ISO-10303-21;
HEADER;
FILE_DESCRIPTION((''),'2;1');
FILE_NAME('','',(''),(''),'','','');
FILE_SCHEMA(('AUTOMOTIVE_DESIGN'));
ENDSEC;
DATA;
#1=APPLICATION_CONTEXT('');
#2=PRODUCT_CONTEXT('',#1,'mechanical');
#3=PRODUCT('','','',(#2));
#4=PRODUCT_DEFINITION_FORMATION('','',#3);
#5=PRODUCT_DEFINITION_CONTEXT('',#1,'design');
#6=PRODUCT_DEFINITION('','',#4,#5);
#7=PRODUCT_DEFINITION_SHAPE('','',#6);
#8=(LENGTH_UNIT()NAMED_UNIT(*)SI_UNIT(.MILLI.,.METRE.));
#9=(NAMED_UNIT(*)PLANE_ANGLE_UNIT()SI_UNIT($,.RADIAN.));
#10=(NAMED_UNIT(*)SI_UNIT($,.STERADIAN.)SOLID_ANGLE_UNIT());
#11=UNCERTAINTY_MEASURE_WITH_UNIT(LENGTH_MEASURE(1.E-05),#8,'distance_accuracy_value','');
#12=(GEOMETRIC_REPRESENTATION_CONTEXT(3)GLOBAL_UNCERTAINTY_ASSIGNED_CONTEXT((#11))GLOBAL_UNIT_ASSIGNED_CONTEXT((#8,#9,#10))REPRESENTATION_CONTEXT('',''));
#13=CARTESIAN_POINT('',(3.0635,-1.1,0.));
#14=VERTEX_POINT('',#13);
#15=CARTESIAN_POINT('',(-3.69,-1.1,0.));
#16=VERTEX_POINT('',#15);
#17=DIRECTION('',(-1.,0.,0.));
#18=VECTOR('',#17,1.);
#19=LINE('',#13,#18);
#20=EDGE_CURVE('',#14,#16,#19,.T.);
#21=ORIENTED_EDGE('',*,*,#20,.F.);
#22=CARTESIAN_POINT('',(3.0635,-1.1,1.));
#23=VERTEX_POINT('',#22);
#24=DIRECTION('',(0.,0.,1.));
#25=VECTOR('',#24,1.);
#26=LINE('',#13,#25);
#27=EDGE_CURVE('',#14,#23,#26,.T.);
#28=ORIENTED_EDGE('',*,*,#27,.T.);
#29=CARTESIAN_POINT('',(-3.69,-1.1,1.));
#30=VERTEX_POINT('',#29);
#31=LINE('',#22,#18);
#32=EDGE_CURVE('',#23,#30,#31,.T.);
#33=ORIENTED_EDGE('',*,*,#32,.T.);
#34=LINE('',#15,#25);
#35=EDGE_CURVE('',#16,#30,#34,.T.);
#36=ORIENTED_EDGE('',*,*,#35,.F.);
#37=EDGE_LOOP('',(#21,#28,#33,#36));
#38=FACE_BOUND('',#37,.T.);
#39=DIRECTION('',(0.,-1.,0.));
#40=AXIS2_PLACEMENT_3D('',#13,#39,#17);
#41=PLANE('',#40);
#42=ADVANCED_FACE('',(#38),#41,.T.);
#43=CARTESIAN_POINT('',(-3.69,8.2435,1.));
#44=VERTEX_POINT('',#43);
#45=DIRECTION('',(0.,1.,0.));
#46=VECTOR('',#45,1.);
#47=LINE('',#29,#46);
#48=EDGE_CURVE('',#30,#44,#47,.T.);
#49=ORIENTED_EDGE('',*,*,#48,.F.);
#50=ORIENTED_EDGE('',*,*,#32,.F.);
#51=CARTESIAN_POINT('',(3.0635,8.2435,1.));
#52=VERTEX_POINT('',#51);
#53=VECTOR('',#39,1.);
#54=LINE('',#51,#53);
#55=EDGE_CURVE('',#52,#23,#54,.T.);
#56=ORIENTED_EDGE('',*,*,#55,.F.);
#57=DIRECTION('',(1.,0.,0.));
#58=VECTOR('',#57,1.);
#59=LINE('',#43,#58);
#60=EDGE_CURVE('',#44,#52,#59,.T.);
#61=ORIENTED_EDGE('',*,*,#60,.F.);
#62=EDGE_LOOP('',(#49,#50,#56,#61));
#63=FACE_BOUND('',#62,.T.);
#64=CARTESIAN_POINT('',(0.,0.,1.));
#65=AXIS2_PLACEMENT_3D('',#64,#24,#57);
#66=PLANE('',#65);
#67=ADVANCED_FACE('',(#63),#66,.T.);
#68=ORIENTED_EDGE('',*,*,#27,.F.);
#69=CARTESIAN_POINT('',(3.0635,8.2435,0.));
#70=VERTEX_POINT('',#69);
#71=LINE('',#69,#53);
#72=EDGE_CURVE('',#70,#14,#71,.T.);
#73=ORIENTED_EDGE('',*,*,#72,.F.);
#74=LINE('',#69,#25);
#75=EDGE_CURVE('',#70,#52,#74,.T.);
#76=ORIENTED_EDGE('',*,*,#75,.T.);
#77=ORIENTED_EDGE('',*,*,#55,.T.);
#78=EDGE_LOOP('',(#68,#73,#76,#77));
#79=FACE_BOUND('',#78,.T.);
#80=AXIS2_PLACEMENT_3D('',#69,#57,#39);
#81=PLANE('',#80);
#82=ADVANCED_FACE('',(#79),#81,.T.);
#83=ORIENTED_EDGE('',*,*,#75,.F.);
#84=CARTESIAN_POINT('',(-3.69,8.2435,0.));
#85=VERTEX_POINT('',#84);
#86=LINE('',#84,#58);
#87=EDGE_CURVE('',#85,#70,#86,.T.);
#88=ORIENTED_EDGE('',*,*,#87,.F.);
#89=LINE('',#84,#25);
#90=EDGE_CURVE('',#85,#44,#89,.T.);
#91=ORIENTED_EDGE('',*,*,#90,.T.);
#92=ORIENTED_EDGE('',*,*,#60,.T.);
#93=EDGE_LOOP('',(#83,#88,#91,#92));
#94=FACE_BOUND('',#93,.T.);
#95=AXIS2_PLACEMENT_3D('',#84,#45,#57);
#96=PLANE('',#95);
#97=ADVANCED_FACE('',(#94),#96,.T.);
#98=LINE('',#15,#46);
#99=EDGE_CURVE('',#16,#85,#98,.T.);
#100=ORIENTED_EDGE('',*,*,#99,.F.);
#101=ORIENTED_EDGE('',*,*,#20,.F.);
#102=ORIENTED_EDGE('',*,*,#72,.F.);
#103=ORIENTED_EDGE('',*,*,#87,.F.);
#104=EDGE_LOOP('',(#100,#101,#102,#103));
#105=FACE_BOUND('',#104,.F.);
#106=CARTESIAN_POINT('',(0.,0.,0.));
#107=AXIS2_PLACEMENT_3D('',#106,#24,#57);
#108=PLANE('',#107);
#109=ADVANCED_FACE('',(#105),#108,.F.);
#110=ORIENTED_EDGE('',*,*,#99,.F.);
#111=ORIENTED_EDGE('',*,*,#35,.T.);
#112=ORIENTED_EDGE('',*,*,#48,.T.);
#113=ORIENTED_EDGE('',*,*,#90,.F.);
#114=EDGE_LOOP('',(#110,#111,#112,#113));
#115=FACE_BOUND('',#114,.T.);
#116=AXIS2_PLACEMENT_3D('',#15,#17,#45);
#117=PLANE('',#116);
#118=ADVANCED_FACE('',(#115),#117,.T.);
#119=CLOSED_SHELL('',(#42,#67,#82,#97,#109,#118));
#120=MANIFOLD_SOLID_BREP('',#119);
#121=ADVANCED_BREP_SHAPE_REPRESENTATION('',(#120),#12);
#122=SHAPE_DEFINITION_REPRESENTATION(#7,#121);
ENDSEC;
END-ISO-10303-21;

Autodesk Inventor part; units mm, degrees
ref_plane "YZ Plane" through (0, 0, 0) normal (1, 0, 0) x (0, 1, 0)
ref_plane "XZ Plane" through (0, 0, 0) normal (0, 1, 0) x (-1, 0, 0)
ref_plane "XY Plane" through (0, 0, 0) normal (0, 0, 1) x (1, 0, 0)
sketch "BRM-2508_VERT, BRM-2A18VERT_76" plane through (0, 0, 0) normal (0, 0, 1) x (1, 0, 0)
  line L0 (-3.69, 8.2435) -> (3.0635, 8.2435)
  line L1 (3.0635, 8.2435) -> (3.0635, -1.1)
  line L2 (3.0635, -1.1) -> (-3.69, -1.1)
  line L3 (-3.69, -1.1) -> (-3.69, 8.2435)
extrude "Extrusion1" add sketch "BRM-2508_VERT, BRM-2A18VERT_76" along normal blind 1
properties part number "BRM-2A18VERT"
